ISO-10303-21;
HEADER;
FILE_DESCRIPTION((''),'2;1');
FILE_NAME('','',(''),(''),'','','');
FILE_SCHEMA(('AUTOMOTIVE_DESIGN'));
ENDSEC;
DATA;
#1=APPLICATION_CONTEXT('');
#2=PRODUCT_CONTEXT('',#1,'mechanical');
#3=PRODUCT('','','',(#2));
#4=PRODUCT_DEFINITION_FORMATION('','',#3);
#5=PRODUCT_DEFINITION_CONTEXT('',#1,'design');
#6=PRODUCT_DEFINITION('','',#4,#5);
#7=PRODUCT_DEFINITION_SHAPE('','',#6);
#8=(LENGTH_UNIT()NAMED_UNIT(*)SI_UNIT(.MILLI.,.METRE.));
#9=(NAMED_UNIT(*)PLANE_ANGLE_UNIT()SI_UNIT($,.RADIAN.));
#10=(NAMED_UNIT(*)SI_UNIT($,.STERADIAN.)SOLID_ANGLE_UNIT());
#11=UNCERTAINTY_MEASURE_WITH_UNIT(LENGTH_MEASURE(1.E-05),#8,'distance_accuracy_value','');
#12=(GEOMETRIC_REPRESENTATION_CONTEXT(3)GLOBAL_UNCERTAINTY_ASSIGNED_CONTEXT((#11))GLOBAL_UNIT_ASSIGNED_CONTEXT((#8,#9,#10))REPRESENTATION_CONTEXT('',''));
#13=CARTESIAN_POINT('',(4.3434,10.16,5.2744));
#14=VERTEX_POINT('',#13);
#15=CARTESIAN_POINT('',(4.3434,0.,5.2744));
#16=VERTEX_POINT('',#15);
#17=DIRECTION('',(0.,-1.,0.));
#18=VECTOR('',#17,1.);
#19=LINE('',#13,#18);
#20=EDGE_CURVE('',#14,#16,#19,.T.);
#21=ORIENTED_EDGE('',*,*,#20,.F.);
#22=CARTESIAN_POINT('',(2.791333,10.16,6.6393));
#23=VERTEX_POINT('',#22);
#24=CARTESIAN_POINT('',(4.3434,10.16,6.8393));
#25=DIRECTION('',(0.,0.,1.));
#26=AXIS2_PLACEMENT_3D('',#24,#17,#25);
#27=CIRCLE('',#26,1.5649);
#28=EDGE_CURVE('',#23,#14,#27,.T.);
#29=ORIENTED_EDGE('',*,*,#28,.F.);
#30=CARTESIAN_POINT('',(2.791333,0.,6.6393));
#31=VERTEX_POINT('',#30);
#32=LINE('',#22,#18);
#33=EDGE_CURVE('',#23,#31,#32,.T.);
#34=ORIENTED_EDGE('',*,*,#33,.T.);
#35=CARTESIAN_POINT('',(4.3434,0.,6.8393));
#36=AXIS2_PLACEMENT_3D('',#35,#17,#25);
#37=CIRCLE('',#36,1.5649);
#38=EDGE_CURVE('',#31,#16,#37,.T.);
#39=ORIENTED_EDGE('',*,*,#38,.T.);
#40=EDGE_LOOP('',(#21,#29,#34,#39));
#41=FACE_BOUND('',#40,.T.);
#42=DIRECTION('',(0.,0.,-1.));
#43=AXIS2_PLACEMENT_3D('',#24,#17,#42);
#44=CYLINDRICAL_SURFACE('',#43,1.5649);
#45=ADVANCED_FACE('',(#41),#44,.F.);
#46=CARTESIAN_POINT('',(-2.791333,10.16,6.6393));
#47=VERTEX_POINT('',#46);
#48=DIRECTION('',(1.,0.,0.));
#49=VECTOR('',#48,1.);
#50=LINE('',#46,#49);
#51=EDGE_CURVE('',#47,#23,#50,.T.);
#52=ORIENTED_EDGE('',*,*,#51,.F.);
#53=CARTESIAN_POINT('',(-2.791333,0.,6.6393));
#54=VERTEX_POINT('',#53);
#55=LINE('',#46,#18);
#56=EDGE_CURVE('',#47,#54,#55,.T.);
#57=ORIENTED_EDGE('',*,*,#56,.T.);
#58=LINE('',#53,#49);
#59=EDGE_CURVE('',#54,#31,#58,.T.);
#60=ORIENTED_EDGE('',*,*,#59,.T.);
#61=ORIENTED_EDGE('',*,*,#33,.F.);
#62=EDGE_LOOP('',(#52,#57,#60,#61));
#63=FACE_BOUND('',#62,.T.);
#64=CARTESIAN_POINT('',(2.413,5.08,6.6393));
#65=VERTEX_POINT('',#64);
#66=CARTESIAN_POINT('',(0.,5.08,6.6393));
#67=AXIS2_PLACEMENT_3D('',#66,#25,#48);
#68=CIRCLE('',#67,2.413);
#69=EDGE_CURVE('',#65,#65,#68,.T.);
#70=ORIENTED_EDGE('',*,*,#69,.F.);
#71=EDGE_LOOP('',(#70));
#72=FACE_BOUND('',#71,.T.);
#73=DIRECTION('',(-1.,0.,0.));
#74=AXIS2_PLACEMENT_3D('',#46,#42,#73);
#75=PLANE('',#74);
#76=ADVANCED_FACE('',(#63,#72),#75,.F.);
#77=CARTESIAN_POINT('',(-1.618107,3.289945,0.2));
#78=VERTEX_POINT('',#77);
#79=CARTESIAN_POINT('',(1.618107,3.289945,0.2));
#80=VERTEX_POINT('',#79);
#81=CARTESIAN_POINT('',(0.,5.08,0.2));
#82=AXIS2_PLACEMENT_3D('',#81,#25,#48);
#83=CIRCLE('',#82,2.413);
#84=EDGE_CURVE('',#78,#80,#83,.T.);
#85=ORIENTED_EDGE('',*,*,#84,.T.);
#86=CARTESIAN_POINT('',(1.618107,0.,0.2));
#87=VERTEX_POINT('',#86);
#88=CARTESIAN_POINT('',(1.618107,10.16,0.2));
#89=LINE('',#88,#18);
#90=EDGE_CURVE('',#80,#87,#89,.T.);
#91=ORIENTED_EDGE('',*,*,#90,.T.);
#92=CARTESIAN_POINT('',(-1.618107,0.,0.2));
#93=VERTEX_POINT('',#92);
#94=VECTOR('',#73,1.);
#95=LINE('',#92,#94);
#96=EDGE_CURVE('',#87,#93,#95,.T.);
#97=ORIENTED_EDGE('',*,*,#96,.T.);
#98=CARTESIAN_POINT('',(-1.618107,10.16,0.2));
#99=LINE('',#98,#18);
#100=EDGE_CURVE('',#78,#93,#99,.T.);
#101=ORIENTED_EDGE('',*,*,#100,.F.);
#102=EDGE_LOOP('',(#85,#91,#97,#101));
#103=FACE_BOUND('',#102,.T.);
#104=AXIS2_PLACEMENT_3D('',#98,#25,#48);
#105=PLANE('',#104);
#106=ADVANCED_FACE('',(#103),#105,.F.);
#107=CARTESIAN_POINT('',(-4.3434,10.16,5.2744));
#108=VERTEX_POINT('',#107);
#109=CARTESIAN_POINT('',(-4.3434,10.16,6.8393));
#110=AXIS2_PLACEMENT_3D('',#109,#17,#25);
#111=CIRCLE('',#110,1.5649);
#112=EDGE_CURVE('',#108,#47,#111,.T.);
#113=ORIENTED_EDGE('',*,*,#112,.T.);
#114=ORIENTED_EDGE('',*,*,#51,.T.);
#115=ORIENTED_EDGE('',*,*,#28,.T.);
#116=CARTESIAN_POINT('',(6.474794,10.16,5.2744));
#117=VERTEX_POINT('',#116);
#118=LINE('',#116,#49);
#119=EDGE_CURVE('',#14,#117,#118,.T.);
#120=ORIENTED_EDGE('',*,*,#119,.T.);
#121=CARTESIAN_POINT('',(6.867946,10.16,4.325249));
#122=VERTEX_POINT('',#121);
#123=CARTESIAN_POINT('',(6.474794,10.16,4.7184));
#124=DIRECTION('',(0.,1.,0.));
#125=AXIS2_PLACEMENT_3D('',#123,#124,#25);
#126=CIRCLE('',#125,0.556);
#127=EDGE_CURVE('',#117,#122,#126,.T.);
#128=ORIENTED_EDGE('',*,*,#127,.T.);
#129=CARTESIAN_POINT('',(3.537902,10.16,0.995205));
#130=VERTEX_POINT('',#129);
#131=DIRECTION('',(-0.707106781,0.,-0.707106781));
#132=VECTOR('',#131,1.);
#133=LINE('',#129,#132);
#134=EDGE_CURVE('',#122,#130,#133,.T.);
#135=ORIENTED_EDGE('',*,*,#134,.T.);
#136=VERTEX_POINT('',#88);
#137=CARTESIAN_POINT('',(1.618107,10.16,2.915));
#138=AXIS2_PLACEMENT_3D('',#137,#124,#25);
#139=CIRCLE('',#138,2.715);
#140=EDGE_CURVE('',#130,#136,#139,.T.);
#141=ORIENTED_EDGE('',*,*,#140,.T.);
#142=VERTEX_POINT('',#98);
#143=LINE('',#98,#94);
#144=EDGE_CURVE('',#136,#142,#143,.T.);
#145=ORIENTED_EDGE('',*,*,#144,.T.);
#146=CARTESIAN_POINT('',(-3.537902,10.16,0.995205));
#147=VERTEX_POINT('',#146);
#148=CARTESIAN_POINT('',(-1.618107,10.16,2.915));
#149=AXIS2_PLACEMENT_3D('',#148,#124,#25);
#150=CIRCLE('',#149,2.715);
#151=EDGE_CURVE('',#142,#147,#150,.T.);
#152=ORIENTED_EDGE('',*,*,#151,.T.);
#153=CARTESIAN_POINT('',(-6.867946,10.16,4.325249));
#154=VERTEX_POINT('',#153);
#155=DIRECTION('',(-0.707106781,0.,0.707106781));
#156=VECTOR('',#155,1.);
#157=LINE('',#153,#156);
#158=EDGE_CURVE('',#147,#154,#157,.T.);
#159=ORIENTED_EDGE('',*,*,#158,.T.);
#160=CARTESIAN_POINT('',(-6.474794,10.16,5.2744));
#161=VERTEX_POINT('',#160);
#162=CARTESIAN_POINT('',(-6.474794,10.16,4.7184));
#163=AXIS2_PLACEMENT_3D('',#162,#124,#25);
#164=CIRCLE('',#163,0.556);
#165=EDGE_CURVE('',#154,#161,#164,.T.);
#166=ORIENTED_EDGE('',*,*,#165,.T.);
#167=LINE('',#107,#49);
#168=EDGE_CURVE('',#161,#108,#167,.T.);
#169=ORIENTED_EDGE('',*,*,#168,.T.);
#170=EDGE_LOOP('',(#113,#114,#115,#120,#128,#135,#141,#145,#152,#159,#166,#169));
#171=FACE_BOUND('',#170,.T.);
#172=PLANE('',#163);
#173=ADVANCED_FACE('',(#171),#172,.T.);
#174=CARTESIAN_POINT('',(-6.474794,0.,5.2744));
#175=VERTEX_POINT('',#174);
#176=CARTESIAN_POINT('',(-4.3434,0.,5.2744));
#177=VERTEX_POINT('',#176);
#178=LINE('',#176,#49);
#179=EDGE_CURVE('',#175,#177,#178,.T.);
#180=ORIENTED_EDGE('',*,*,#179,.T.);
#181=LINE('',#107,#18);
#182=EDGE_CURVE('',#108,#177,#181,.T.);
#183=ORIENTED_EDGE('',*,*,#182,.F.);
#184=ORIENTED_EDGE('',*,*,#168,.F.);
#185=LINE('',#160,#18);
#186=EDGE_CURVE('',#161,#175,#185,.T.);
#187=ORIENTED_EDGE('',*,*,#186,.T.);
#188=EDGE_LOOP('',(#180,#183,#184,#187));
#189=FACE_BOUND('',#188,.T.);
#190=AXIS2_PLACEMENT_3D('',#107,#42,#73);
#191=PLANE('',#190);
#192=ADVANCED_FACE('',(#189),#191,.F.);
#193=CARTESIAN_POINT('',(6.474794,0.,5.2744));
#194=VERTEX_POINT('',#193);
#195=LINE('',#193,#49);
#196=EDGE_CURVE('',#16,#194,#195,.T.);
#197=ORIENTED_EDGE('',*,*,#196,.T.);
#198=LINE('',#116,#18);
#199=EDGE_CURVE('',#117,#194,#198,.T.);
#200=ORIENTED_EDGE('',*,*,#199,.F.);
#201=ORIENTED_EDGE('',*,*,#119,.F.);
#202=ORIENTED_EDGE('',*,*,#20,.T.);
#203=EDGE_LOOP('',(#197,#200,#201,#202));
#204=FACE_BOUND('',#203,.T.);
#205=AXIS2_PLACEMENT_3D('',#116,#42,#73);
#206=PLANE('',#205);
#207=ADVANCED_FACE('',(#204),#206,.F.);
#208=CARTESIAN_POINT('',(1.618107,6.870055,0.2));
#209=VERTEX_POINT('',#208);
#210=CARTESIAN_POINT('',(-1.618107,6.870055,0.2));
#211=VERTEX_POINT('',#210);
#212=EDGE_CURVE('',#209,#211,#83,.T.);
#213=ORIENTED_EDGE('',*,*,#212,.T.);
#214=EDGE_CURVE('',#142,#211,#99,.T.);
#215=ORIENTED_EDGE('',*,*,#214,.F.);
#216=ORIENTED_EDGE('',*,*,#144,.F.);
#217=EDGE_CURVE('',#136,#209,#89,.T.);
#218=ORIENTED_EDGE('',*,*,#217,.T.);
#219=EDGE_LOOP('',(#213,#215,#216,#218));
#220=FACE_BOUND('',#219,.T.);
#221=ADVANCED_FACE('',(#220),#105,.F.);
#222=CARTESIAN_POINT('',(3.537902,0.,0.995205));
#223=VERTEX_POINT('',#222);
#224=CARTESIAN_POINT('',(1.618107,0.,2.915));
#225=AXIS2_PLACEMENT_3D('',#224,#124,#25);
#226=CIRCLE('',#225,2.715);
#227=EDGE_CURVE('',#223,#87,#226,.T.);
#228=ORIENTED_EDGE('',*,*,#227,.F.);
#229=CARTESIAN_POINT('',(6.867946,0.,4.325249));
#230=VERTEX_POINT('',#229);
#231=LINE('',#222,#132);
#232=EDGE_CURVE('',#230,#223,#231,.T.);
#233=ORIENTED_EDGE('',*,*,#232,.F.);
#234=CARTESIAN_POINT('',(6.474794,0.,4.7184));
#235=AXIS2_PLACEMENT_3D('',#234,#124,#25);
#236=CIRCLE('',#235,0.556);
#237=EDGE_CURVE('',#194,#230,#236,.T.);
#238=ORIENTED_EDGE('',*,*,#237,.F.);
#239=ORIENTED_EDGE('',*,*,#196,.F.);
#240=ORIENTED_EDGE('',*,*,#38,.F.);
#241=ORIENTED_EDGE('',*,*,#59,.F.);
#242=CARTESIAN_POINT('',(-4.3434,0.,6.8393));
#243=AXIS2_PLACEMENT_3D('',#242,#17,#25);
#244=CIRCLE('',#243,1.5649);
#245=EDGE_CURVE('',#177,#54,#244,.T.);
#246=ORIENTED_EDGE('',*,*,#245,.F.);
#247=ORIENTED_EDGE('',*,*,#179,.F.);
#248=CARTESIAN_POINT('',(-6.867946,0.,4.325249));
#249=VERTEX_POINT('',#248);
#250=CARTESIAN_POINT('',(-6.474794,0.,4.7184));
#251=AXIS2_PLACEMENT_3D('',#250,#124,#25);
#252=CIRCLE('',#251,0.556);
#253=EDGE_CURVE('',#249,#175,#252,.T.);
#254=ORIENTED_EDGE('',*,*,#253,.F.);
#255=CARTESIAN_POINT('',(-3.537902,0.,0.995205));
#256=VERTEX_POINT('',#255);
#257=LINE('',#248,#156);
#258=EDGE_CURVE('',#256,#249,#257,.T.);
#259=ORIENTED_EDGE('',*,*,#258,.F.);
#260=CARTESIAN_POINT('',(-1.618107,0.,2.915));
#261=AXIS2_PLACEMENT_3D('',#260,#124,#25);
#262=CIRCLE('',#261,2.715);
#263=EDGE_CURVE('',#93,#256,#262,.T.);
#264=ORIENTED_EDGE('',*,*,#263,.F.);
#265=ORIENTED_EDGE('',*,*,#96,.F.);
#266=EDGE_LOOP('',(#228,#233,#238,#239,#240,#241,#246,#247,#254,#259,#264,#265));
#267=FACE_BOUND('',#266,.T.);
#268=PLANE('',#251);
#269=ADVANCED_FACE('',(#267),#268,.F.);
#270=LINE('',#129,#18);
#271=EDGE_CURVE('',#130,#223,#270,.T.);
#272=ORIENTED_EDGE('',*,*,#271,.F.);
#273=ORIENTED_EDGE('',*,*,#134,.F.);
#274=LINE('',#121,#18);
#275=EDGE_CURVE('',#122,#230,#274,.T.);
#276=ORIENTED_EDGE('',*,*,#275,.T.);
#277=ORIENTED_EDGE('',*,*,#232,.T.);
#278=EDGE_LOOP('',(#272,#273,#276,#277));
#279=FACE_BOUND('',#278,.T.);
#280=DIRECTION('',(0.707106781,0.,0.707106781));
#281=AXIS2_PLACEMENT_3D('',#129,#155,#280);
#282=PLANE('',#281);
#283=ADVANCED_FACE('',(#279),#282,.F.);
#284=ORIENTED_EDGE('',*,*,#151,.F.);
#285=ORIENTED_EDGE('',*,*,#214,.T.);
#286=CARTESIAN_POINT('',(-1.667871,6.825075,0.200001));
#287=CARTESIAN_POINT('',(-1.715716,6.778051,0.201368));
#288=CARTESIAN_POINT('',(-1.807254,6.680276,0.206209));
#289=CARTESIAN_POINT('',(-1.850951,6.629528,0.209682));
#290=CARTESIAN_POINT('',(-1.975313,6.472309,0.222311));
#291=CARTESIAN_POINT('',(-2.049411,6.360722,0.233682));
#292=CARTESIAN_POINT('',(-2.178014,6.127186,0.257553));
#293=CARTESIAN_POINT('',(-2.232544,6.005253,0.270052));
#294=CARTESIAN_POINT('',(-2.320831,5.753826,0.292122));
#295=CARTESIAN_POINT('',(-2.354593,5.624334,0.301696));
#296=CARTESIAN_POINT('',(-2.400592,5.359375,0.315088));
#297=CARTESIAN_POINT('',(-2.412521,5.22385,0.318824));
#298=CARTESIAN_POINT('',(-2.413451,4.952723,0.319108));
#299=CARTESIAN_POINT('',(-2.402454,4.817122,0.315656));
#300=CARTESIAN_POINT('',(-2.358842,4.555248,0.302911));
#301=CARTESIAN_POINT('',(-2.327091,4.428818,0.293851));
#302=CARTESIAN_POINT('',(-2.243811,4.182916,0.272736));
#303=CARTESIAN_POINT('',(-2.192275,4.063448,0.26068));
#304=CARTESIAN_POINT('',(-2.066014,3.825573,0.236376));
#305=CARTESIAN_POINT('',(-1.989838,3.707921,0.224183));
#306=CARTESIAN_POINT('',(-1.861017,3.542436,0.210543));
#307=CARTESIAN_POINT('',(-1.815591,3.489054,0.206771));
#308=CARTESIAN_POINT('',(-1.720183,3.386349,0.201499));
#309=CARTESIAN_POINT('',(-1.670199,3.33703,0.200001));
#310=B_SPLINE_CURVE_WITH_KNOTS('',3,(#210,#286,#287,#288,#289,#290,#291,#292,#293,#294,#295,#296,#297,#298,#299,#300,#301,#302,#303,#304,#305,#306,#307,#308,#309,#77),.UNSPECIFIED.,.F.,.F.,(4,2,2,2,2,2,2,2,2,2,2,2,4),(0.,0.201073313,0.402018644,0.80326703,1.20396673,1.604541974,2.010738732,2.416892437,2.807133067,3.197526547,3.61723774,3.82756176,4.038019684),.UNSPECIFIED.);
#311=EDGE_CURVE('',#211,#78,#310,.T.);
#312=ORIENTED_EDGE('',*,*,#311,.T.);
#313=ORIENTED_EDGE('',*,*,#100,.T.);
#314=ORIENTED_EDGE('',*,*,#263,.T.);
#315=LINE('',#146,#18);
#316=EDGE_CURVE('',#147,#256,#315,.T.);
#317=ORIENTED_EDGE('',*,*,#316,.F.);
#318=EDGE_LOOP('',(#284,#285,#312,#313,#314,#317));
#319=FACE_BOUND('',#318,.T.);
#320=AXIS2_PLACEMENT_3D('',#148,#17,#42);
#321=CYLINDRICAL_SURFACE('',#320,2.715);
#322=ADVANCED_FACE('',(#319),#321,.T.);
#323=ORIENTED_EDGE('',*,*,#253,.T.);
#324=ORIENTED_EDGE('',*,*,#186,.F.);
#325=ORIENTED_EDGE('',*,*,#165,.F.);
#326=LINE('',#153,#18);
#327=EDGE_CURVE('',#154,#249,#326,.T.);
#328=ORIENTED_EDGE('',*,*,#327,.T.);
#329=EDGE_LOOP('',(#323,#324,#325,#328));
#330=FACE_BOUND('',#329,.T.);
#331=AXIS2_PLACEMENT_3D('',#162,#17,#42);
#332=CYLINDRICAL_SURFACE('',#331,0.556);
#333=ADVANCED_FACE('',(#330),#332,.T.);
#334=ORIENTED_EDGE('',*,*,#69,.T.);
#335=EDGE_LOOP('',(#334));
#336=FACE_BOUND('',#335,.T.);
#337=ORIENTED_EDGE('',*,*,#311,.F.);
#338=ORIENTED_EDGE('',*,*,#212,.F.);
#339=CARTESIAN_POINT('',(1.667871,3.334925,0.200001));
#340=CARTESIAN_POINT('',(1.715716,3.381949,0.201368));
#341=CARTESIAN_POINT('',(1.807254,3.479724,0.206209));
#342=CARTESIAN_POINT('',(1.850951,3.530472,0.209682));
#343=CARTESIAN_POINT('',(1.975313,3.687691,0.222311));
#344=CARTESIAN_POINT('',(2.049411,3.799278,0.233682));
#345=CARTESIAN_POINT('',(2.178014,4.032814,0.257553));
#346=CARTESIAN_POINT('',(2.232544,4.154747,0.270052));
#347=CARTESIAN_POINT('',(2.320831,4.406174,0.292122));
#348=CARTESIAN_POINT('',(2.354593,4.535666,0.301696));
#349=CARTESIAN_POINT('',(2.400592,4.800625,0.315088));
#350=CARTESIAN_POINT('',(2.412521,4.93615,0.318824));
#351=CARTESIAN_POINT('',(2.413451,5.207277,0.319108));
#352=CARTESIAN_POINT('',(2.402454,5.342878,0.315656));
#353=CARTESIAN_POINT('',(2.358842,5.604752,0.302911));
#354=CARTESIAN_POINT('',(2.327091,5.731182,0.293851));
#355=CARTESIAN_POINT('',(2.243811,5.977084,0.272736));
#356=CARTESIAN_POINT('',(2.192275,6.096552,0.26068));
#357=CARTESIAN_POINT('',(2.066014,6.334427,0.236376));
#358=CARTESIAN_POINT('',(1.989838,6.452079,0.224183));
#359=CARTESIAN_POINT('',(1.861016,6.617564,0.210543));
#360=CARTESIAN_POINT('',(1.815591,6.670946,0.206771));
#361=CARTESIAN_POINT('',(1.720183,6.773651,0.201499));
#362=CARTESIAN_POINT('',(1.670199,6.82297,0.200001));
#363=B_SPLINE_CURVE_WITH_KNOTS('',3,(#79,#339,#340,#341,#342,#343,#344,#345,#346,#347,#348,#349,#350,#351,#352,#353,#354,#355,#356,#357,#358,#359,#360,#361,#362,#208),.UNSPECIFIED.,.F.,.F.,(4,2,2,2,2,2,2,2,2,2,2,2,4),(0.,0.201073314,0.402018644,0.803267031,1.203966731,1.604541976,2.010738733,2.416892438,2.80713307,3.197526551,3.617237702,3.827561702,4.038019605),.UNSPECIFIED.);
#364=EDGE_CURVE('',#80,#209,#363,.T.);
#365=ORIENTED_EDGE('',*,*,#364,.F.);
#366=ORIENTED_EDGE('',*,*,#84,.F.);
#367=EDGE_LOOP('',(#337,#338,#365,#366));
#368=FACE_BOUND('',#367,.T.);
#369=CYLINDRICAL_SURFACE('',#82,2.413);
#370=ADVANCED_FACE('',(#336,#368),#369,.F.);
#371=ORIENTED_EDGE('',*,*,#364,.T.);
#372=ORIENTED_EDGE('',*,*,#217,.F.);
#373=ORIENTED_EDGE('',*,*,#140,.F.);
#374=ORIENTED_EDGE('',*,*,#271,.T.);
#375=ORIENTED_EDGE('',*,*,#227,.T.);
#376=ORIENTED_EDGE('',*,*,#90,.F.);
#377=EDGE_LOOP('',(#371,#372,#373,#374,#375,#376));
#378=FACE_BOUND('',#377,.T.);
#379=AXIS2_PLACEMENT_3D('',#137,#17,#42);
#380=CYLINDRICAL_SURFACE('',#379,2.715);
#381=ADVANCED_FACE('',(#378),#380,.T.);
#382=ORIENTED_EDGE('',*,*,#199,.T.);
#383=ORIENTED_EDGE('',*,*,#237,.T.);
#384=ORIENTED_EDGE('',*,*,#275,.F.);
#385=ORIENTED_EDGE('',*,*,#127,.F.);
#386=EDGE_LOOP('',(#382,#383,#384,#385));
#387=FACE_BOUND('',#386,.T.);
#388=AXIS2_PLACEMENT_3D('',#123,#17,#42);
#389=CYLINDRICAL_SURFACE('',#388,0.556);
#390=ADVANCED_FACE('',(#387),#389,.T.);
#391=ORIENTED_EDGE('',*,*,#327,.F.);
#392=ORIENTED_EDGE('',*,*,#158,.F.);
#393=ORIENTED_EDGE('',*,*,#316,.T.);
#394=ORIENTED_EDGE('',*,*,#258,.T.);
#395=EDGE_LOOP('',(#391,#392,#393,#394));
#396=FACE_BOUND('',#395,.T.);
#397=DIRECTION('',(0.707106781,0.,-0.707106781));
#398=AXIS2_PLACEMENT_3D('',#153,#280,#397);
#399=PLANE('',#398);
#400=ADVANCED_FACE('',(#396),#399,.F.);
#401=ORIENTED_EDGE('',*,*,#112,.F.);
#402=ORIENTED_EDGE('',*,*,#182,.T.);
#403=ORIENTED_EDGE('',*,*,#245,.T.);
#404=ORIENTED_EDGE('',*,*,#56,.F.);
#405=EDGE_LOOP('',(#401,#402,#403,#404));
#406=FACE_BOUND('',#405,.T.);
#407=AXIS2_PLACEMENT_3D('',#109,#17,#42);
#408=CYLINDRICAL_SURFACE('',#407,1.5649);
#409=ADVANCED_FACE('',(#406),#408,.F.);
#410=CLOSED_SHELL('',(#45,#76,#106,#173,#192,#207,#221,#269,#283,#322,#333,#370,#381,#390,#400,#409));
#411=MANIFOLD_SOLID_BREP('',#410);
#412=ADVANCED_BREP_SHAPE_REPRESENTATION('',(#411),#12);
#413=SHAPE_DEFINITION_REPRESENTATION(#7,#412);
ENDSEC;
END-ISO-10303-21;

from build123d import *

# Parameters (mm, degrees)
BOSS_EXTRUDE1_DEPTH = 10.16
SKETCH2_R           = 2.413
CUT_EXTRUDE1_DEPTH  = 7.4393


with BuildPart() as part:
    # Sketch1 → Boss-Extrude1 (new body)
    with BuildSketch(Plane(origin=(0, 0, 0), x_dir=(1, 0, 0), z_dir=(0, 1, 0))):
        with BuildLine():
            Line((-4.3434, -5.2744), (-6.474794456, -5.2744))
            ThreePointArc((-6.474794456, -5.2744), (-6.988471476, -4.931171988), (-6.867945826, -4.32524863))
            Line((-6.867945826, -4.32524863), (-3.537902285, -0.995205089))
            ThreePointArc((-3.537902285, -0.995205089), (-2.657092893, -0.406667069), (-1.618107374, -0.2))
            Line((-1.618107374, -0.2), (1.618107374, -0.2))
            ThreePointArc((1.618107374, -0.2), (2.657092893, -0.406667069), (3.537902285, -0.995205089))
            Line((3.537902285, -0.995205089), (6.867945826, -4.32524863))
            ThreePointArc((6.867945826, -4.32524863), (6.988471476, -4.931171988), (6.474794456, -5.2744))
            Line((6.474794456, -5.2744), (4.343399971, -5.2744))
            ThreePointArc((4.343399971, -5.2744), (3.309975564, -5.66416341), (2.791332959, -6.6393))
            Line((2.791332959, -6.6393), (-2.791332988, -6.6393))
            ThreePointArc((-2.791332988, -6.6393), (-3.309975593, -5.66416341), (-4.3434, -5.2744))
        make_face()
    extrude(amount=BOSS_EXTRUDE1_DEPTH)

    # Sketch2 → Cut-Extrude1 (cut, through all)
    with BuildSketch(Plane.XY.offset(6.6393)):
        with Locations((-1.4e-08, 5.08)):
            Circle(SKETCH2_R)
    extrude(amount=-CUT_EXTRUDE1_DEPTH, mode=Mode.SUBTRACT)


solid = part.part
